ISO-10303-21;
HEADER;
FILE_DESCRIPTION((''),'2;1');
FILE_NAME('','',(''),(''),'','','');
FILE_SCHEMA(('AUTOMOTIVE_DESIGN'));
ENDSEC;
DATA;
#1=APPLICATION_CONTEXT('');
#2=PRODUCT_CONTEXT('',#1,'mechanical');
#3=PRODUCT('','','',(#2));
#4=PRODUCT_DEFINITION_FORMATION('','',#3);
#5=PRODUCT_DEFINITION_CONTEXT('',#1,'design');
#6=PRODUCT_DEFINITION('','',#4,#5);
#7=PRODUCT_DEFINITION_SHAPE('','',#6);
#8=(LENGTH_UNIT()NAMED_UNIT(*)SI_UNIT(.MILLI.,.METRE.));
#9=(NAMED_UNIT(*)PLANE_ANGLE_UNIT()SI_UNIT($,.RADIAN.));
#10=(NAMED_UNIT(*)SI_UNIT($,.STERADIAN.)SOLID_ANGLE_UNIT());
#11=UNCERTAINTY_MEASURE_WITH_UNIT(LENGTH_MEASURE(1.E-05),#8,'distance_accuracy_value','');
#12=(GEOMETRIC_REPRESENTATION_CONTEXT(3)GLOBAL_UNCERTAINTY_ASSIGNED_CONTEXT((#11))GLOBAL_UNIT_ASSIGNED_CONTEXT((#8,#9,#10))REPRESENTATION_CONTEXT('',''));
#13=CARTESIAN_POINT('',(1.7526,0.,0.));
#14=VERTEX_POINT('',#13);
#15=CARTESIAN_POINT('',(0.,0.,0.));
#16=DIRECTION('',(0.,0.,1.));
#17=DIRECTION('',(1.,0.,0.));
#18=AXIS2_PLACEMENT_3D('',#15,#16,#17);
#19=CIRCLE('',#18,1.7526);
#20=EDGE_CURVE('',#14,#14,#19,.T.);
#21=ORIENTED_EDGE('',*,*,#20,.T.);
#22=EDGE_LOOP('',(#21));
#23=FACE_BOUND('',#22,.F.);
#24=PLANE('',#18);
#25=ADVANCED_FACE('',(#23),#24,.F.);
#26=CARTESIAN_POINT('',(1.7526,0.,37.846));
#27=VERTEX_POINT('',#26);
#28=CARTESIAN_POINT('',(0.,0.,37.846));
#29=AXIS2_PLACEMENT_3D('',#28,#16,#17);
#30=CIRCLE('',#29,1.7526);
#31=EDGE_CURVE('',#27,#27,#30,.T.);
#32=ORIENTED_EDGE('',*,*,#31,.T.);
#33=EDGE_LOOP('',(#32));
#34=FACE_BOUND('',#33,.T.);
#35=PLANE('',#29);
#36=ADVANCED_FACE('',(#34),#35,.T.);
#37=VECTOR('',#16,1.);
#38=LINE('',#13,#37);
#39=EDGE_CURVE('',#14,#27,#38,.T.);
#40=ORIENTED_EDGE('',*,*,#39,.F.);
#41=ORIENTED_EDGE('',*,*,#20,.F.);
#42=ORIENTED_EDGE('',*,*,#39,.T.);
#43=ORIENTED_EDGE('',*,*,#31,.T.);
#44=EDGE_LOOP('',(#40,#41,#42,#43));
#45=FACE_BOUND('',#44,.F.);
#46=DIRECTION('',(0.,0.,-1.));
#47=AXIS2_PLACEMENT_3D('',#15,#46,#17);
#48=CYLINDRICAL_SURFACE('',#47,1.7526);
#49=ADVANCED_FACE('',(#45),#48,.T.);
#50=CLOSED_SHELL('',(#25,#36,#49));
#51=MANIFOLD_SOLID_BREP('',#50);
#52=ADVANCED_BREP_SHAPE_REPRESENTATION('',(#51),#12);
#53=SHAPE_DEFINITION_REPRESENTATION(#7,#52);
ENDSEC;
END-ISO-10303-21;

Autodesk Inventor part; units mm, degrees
ref_plane "YZ Plane" through (0, 0, 0) normal (1, 0, 0) x (0, 1, 0)
ref_plane "XZ Plane" through (0, 0, 0) normal (0, 1, 0) x (-1, 0, 0)
ref_plane "XY Plane" through (0, 0, 0) normal (0, 0, 1) x (1, 0, 0)
sketch "Sketch1" plane through (0, 0, 0) normal (0, 0, 1) x (1, 0, 0)
  circle A0 centre (0, 0) radius 1.7526
  dimension "d0" = 3.5052
extrude "Extrusion1" add sketch "Sketch1" along normal blind 37.846
properties part number "Relic Arm Bar Space"
